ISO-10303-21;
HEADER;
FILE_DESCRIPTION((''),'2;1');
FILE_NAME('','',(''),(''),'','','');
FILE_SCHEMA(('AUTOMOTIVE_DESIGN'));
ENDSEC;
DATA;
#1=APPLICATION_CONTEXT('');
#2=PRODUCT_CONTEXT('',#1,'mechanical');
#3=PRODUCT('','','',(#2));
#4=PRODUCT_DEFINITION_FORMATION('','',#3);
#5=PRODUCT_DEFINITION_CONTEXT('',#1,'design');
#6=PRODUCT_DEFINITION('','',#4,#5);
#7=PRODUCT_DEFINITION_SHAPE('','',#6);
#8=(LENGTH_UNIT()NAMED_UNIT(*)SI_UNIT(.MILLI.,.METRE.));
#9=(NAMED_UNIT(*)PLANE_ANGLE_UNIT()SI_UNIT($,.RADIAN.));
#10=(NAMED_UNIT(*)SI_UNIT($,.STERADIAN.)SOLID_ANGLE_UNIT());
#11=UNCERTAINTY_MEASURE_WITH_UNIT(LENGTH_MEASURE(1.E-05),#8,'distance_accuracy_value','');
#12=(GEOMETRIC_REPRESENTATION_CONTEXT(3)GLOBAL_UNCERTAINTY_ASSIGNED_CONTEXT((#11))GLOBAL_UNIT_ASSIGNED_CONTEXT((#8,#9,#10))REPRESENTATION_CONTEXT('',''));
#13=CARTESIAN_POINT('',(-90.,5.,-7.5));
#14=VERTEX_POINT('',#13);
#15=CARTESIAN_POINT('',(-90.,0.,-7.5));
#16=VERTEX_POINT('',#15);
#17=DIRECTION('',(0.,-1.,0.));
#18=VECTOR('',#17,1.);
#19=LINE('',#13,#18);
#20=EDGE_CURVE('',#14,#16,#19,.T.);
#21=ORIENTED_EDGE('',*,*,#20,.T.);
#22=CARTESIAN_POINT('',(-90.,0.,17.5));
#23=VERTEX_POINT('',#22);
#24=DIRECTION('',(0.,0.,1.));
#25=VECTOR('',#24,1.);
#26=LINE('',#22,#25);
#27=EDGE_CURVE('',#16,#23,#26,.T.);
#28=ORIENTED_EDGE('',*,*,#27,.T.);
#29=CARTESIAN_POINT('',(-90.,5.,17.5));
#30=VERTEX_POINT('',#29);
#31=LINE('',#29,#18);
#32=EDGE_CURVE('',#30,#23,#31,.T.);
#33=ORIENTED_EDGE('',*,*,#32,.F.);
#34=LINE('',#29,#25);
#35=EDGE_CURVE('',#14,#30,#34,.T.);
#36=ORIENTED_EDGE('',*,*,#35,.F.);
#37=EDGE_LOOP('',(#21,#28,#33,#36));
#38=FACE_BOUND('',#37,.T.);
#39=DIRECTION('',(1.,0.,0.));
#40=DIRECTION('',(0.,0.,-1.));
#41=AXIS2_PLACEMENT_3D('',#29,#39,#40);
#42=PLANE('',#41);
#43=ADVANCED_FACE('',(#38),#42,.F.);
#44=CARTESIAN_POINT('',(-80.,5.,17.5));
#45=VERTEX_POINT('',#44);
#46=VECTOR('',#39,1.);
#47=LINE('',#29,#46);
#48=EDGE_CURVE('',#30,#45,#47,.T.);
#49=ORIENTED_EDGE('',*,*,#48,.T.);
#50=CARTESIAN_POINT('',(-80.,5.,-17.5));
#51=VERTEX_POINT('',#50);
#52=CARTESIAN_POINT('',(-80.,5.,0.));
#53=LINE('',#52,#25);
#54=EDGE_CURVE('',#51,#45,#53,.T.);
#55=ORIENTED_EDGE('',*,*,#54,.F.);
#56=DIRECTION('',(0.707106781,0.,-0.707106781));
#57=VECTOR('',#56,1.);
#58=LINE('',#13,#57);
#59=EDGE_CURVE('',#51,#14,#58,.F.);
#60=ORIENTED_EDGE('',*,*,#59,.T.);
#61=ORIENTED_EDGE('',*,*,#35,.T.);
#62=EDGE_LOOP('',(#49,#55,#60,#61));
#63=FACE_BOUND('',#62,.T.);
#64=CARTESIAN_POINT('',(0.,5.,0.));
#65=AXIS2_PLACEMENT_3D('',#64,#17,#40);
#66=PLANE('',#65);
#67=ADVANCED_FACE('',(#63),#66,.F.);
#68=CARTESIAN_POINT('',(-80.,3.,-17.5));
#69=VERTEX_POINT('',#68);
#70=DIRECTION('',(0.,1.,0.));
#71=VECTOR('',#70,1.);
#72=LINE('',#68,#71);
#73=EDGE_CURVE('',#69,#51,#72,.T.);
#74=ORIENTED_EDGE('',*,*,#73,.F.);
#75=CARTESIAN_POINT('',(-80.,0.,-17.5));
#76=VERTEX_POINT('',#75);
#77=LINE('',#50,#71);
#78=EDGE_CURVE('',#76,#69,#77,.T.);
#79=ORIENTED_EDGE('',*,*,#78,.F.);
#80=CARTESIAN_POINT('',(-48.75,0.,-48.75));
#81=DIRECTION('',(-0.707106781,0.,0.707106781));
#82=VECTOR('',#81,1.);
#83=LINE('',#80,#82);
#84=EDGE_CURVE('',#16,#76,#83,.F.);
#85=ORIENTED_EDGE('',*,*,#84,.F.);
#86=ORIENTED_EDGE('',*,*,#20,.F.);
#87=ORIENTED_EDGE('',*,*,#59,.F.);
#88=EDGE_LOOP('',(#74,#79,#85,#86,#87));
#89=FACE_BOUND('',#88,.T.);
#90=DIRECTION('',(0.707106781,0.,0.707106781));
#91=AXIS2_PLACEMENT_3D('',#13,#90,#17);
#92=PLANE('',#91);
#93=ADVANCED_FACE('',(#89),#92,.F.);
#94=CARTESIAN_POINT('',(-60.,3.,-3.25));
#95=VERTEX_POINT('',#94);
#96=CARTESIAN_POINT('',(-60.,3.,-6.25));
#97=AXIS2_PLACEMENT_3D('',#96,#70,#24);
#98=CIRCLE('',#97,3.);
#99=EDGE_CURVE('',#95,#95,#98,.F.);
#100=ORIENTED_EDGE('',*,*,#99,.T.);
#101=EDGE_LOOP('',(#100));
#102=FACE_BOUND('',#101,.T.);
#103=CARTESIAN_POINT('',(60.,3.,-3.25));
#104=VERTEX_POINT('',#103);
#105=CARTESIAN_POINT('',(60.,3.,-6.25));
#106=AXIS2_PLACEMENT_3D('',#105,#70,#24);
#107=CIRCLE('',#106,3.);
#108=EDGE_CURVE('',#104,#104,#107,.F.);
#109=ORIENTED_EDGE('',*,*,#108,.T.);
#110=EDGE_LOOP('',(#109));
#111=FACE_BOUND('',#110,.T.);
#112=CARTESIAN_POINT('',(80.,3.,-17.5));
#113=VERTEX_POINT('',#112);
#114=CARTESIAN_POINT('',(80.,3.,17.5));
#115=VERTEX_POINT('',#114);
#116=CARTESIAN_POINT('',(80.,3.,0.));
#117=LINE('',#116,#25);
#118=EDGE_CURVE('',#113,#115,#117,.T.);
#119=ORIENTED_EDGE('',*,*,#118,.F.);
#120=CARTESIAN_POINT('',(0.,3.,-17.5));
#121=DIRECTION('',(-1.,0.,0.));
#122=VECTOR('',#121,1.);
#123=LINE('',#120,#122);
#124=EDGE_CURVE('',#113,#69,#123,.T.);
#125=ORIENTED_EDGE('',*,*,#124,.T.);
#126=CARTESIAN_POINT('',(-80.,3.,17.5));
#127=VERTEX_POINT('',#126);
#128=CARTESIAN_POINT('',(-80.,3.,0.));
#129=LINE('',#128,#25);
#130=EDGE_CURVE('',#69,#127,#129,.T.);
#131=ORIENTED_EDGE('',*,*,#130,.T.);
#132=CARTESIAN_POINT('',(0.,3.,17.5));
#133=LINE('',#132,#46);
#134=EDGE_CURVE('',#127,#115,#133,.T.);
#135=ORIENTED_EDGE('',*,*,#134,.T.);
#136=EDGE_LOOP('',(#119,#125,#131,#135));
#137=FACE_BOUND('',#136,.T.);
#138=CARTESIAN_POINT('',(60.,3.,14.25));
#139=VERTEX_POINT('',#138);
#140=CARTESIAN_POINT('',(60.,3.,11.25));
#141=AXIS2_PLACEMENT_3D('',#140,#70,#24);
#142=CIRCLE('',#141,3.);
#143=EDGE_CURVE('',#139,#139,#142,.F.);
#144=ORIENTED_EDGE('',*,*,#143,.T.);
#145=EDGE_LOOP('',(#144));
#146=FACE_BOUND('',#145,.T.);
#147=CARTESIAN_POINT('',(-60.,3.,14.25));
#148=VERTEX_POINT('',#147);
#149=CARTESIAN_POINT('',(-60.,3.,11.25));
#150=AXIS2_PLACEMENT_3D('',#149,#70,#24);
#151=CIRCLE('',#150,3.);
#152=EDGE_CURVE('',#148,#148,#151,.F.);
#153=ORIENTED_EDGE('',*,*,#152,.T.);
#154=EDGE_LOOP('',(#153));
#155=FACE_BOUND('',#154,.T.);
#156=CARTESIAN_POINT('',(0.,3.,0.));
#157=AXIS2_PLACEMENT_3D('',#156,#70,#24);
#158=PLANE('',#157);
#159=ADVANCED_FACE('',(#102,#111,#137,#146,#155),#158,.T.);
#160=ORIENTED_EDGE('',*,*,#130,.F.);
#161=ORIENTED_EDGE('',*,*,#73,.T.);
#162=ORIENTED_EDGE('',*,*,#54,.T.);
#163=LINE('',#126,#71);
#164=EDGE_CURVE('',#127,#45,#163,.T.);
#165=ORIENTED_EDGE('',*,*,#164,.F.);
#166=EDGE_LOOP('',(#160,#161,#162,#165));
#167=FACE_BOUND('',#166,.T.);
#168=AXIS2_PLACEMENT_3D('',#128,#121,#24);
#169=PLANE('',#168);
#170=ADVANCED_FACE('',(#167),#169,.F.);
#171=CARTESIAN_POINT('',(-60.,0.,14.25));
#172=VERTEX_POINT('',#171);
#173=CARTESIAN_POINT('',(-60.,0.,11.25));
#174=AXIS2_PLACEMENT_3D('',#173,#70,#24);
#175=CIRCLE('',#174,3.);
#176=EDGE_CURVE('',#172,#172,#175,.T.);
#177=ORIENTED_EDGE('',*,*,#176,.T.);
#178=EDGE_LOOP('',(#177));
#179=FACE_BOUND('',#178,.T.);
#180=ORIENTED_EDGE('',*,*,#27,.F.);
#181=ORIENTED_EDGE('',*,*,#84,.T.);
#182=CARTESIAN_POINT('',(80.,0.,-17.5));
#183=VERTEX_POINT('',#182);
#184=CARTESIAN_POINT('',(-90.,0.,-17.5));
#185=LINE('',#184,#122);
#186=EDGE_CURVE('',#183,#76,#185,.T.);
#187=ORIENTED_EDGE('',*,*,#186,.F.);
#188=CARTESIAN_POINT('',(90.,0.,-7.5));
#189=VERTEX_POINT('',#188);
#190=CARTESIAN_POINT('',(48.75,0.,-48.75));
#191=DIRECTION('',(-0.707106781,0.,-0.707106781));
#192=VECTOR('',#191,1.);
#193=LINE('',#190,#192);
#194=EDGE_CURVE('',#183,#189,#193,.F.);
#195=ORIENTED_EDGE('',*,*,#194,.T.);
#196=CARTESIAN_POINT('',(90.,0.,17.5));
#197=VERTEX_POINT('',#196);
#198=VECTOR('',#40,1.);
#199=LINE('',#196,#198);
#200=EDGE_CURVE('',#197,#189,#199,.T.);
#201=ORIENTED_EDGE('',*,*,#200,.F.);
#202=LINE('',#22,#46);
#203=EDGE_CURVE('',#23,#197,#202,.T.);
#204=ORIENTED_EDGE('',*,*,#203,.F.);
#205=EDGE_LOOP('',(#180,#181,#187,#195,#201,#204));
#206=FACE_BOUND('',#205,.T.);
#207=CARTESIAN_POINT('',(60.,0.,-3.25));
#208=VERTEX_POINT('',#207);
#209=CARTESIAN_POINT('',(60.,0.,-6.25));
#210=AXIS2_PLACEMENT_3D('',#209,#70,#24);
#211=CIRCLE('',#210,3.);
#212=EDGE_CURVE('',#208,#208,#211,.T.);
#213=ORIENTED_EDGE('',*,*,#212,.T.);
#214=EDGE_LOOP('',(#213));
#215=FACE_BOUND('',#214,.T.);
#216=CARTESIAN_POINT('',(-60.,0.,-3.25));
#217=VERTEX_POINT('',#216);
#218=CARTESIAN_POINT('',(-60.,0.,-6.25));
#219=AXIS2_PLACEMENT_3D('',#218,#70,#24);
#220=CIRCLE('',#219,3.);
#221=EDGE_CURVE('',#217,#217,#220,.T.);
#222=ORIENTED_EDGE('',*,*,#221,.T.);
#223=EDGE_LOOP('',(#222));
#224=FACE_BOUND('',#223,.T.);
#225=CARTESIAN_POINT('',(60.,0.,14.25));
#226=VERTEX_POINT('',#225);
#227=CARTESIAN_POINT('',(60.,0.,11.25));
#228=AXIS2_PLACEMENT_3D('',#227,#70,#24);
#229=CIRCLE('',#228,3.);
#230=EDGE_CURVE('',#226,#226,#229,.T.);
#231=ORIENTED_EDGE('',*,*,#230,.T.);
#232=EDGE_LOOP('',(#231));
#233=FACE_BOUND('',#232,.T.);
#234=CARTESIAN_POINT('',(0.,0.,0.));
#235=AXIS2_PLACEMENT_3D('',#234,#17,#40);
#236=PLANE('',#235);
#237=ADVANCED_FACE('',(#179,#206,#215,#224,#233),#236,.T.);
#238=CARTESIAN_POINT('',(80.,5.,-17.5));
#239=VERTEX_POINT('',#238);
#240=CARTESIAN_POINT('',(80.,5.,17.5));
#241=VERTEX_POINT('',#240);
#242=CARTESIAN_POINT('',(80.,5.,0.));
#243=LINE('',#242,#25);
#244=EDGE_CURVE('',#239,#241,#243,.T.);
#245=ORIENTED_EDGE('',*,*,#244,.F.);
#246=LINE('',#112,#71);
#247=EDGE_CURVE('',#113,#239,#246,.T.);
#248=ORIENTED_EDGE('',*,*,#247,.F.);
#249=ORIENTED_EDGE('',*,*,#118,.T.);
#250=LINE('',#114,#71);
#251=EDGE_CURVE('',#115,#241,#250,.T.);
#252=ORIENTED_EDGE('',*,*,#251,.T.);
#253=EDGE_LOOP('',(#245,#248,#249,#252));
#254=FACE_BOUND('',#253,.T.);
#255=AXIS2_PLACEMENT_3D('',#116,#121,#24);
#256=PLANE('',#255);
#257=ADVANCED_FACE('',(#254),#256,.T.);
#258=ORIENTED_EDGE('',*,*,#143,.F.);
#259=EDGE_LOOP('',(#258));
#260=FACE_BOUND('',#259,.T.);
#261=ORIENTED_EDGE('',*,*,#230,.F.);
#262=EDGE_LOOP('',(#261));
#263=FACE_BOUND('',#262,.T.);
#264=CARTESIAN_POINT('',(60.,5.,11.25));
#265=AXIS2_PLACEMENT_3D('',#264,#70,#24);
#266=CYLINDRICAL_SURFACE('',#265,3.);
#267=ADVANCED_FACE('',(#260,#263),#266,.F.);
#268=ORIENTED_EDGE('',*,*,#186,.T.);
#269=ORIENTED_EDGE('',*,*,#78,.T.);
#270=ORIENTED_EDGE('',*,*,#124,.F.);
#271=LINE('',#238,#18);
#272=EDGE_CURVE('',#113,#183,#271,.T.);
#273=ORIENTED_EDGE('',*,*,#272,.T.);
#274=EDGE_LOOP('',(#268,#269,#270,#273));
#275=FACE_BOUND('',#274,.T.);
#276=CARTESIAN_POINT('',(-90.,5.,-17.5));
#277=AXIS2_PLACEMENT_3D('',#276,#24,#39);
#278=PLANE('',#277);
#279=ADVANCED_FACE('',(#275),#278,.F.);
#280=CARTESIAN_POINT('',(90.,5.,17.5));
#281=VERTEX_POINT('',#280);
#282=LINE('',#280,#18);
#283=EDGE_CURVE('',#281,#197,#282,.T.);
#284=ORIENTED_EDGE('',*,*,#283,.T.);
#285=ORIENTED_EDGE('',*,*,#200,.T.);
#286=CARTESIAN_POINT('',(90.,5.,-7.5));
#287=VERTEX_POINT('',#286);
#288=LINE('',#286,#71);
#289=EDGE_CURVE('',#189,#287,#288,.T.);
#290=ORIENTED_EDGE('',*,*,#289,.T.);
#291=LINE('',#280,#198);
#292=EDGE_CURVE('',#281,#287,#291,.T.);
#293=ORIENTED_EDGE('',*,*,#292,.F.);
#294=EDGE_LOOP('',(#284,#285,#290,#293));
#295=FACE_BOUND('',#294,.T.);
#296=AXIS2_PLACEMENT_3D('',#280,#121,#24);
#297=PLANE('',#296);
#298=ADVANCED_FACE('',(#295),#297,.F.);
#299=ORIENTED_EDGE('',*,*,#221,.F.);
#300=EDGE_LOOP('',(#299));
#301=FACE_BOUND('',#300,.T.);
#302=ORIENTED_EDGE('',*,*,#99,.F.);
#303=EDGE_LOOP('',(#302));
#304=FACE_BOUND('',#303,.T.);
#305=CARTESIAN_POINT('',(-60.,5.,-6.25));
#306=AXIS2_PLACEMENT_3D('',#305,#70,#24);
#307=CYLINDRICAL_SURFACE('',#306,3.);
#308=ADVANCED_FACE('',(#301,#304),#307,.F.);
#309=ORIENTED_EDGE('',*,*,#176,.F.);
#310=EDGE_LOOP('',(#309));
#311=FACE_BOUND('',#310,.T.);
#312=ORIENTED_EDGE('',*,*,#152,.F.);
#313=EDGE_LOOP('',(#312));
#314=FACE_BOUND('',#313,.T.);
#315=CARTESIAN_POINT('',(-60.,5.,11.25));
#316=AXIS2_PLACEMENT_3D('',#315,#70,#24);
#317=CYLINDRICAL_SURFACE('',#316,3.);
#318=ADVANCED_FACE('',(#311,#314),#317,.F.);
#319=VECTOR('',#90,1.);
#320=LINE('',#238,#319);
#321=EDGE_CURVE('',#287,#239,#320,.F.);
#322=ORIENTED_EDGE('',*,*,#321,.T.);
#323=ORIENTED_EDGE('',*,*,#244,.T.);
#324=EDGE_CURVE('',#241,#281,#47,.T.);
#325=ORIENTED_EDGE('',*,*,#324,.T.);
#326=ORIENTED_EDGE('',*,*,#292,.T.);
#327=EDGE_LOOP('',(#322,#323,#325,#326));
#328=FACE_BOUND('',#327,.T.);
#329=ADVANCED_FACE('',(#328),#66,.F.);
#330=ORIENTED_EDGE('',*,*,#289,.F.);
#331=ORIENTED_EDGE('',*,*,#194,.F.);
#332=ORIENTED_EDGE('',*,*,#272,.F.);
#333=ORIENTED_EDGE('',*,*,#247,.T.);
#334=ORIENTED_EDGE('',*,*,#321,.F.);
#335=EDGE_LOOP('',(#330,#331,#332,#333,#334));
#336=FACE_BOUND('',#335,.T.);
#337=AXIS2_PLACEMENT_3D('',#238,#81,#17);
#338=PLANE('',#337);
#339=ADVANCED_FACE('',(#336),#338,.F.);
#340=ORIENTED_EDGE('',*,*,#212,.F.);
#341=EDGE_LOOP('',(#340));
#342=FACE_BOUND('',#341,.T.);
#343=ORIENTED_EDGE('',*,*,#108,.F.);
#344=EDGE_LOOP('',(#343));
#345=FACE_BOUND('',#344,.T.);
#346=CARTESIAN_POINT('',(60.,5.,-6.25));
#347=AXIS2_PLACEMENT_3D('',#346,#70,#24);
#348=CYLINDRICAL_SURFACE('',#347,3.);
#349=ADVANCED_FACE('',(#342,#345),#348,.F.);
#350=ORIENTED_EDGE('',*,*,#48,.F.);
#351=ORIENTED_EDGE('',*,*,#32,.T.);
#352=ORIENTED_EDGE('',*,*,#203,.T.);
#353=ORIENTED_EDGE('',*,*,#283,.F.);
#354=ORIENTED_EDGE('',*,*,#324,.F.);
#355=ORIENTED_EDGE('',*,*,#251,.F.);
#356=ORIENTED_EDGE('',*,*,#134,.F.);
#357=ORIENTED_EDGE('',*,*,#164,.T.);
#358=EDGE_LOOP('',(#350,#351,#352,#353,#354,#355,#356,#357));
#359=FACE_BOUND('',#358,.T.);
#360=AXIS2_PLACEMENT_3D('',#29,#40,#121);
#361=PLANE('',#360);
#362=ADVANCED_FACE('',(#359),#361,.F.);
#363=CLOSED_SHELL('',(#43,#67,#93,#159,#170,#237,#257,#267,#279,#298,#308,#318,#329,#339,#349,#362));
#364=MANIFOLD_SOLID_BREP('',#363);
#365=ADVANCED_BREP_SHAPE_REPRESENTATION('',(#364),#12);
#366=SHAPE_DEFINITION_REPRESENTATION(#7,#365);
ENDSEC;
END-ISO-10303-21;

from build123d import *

# Parameters (mm, degrees)
SKETCH1_W             = 180
SKETCH1_H             = 35
BOSS_EXTRUDE1_DEPTH   = 5
F_6_0MM_DOWEL_HOLE1_D = 6
SKETCH4_W             = 160
SKETCH4_H             = 35
CUT_EXTRUDE1_DEPTH    = 2
CHAMFER1_SIZE         = 10


with BuildPart() as part:
    # Sketch1 → Boss-Extrude1 (new body)
    with BuildSketch(Plane(origin=(0, 0, 0), x_dir=(1, 0, 0), z_dir=(0, 1, 0))):
        Rectangle(SKETCH1_W, SKETCH1_H)
    extrude(amount=BOSS_EXTRUDE1_DEPTH)

    # Ø6.0mm Dowel Hole1 (through all)
    with Locations(Plane(origin=(-60, 5, -6.25), x_dir=(0, 0, 1), z_dir=(0, 1, 0))):
        with Locations((0, 0), (17.5, 0), (0, 120), (17.5, 120)):
            Hole(F_6_0MM_DOWEL_HOLE1_D / 2)

    # Sketch4 → Cut-Extrude1 (cut)
    with BuildSketch(Plane(origin=(0, 5, 0), x_dir=(1, 0, 0), z_dir=(0, 1, 0))):
        Rectangle(SKETCH4_W, SKETCH4_H)
    extrude(amount=-CUT_EXTRUDE1_DEPTH, mode=Mode.SUBTRACT)

    # Chamfer1
    chamfer1_edges = [part.edges().sort_by_distance(p)[0] for p in [
        (90, 2.5, -17.5),
        (-90, 2.5, -17.5),
    ]]
    chamfer(chamfer1_edges, length=CHAMFER1_SIZE)


solid = part.part
